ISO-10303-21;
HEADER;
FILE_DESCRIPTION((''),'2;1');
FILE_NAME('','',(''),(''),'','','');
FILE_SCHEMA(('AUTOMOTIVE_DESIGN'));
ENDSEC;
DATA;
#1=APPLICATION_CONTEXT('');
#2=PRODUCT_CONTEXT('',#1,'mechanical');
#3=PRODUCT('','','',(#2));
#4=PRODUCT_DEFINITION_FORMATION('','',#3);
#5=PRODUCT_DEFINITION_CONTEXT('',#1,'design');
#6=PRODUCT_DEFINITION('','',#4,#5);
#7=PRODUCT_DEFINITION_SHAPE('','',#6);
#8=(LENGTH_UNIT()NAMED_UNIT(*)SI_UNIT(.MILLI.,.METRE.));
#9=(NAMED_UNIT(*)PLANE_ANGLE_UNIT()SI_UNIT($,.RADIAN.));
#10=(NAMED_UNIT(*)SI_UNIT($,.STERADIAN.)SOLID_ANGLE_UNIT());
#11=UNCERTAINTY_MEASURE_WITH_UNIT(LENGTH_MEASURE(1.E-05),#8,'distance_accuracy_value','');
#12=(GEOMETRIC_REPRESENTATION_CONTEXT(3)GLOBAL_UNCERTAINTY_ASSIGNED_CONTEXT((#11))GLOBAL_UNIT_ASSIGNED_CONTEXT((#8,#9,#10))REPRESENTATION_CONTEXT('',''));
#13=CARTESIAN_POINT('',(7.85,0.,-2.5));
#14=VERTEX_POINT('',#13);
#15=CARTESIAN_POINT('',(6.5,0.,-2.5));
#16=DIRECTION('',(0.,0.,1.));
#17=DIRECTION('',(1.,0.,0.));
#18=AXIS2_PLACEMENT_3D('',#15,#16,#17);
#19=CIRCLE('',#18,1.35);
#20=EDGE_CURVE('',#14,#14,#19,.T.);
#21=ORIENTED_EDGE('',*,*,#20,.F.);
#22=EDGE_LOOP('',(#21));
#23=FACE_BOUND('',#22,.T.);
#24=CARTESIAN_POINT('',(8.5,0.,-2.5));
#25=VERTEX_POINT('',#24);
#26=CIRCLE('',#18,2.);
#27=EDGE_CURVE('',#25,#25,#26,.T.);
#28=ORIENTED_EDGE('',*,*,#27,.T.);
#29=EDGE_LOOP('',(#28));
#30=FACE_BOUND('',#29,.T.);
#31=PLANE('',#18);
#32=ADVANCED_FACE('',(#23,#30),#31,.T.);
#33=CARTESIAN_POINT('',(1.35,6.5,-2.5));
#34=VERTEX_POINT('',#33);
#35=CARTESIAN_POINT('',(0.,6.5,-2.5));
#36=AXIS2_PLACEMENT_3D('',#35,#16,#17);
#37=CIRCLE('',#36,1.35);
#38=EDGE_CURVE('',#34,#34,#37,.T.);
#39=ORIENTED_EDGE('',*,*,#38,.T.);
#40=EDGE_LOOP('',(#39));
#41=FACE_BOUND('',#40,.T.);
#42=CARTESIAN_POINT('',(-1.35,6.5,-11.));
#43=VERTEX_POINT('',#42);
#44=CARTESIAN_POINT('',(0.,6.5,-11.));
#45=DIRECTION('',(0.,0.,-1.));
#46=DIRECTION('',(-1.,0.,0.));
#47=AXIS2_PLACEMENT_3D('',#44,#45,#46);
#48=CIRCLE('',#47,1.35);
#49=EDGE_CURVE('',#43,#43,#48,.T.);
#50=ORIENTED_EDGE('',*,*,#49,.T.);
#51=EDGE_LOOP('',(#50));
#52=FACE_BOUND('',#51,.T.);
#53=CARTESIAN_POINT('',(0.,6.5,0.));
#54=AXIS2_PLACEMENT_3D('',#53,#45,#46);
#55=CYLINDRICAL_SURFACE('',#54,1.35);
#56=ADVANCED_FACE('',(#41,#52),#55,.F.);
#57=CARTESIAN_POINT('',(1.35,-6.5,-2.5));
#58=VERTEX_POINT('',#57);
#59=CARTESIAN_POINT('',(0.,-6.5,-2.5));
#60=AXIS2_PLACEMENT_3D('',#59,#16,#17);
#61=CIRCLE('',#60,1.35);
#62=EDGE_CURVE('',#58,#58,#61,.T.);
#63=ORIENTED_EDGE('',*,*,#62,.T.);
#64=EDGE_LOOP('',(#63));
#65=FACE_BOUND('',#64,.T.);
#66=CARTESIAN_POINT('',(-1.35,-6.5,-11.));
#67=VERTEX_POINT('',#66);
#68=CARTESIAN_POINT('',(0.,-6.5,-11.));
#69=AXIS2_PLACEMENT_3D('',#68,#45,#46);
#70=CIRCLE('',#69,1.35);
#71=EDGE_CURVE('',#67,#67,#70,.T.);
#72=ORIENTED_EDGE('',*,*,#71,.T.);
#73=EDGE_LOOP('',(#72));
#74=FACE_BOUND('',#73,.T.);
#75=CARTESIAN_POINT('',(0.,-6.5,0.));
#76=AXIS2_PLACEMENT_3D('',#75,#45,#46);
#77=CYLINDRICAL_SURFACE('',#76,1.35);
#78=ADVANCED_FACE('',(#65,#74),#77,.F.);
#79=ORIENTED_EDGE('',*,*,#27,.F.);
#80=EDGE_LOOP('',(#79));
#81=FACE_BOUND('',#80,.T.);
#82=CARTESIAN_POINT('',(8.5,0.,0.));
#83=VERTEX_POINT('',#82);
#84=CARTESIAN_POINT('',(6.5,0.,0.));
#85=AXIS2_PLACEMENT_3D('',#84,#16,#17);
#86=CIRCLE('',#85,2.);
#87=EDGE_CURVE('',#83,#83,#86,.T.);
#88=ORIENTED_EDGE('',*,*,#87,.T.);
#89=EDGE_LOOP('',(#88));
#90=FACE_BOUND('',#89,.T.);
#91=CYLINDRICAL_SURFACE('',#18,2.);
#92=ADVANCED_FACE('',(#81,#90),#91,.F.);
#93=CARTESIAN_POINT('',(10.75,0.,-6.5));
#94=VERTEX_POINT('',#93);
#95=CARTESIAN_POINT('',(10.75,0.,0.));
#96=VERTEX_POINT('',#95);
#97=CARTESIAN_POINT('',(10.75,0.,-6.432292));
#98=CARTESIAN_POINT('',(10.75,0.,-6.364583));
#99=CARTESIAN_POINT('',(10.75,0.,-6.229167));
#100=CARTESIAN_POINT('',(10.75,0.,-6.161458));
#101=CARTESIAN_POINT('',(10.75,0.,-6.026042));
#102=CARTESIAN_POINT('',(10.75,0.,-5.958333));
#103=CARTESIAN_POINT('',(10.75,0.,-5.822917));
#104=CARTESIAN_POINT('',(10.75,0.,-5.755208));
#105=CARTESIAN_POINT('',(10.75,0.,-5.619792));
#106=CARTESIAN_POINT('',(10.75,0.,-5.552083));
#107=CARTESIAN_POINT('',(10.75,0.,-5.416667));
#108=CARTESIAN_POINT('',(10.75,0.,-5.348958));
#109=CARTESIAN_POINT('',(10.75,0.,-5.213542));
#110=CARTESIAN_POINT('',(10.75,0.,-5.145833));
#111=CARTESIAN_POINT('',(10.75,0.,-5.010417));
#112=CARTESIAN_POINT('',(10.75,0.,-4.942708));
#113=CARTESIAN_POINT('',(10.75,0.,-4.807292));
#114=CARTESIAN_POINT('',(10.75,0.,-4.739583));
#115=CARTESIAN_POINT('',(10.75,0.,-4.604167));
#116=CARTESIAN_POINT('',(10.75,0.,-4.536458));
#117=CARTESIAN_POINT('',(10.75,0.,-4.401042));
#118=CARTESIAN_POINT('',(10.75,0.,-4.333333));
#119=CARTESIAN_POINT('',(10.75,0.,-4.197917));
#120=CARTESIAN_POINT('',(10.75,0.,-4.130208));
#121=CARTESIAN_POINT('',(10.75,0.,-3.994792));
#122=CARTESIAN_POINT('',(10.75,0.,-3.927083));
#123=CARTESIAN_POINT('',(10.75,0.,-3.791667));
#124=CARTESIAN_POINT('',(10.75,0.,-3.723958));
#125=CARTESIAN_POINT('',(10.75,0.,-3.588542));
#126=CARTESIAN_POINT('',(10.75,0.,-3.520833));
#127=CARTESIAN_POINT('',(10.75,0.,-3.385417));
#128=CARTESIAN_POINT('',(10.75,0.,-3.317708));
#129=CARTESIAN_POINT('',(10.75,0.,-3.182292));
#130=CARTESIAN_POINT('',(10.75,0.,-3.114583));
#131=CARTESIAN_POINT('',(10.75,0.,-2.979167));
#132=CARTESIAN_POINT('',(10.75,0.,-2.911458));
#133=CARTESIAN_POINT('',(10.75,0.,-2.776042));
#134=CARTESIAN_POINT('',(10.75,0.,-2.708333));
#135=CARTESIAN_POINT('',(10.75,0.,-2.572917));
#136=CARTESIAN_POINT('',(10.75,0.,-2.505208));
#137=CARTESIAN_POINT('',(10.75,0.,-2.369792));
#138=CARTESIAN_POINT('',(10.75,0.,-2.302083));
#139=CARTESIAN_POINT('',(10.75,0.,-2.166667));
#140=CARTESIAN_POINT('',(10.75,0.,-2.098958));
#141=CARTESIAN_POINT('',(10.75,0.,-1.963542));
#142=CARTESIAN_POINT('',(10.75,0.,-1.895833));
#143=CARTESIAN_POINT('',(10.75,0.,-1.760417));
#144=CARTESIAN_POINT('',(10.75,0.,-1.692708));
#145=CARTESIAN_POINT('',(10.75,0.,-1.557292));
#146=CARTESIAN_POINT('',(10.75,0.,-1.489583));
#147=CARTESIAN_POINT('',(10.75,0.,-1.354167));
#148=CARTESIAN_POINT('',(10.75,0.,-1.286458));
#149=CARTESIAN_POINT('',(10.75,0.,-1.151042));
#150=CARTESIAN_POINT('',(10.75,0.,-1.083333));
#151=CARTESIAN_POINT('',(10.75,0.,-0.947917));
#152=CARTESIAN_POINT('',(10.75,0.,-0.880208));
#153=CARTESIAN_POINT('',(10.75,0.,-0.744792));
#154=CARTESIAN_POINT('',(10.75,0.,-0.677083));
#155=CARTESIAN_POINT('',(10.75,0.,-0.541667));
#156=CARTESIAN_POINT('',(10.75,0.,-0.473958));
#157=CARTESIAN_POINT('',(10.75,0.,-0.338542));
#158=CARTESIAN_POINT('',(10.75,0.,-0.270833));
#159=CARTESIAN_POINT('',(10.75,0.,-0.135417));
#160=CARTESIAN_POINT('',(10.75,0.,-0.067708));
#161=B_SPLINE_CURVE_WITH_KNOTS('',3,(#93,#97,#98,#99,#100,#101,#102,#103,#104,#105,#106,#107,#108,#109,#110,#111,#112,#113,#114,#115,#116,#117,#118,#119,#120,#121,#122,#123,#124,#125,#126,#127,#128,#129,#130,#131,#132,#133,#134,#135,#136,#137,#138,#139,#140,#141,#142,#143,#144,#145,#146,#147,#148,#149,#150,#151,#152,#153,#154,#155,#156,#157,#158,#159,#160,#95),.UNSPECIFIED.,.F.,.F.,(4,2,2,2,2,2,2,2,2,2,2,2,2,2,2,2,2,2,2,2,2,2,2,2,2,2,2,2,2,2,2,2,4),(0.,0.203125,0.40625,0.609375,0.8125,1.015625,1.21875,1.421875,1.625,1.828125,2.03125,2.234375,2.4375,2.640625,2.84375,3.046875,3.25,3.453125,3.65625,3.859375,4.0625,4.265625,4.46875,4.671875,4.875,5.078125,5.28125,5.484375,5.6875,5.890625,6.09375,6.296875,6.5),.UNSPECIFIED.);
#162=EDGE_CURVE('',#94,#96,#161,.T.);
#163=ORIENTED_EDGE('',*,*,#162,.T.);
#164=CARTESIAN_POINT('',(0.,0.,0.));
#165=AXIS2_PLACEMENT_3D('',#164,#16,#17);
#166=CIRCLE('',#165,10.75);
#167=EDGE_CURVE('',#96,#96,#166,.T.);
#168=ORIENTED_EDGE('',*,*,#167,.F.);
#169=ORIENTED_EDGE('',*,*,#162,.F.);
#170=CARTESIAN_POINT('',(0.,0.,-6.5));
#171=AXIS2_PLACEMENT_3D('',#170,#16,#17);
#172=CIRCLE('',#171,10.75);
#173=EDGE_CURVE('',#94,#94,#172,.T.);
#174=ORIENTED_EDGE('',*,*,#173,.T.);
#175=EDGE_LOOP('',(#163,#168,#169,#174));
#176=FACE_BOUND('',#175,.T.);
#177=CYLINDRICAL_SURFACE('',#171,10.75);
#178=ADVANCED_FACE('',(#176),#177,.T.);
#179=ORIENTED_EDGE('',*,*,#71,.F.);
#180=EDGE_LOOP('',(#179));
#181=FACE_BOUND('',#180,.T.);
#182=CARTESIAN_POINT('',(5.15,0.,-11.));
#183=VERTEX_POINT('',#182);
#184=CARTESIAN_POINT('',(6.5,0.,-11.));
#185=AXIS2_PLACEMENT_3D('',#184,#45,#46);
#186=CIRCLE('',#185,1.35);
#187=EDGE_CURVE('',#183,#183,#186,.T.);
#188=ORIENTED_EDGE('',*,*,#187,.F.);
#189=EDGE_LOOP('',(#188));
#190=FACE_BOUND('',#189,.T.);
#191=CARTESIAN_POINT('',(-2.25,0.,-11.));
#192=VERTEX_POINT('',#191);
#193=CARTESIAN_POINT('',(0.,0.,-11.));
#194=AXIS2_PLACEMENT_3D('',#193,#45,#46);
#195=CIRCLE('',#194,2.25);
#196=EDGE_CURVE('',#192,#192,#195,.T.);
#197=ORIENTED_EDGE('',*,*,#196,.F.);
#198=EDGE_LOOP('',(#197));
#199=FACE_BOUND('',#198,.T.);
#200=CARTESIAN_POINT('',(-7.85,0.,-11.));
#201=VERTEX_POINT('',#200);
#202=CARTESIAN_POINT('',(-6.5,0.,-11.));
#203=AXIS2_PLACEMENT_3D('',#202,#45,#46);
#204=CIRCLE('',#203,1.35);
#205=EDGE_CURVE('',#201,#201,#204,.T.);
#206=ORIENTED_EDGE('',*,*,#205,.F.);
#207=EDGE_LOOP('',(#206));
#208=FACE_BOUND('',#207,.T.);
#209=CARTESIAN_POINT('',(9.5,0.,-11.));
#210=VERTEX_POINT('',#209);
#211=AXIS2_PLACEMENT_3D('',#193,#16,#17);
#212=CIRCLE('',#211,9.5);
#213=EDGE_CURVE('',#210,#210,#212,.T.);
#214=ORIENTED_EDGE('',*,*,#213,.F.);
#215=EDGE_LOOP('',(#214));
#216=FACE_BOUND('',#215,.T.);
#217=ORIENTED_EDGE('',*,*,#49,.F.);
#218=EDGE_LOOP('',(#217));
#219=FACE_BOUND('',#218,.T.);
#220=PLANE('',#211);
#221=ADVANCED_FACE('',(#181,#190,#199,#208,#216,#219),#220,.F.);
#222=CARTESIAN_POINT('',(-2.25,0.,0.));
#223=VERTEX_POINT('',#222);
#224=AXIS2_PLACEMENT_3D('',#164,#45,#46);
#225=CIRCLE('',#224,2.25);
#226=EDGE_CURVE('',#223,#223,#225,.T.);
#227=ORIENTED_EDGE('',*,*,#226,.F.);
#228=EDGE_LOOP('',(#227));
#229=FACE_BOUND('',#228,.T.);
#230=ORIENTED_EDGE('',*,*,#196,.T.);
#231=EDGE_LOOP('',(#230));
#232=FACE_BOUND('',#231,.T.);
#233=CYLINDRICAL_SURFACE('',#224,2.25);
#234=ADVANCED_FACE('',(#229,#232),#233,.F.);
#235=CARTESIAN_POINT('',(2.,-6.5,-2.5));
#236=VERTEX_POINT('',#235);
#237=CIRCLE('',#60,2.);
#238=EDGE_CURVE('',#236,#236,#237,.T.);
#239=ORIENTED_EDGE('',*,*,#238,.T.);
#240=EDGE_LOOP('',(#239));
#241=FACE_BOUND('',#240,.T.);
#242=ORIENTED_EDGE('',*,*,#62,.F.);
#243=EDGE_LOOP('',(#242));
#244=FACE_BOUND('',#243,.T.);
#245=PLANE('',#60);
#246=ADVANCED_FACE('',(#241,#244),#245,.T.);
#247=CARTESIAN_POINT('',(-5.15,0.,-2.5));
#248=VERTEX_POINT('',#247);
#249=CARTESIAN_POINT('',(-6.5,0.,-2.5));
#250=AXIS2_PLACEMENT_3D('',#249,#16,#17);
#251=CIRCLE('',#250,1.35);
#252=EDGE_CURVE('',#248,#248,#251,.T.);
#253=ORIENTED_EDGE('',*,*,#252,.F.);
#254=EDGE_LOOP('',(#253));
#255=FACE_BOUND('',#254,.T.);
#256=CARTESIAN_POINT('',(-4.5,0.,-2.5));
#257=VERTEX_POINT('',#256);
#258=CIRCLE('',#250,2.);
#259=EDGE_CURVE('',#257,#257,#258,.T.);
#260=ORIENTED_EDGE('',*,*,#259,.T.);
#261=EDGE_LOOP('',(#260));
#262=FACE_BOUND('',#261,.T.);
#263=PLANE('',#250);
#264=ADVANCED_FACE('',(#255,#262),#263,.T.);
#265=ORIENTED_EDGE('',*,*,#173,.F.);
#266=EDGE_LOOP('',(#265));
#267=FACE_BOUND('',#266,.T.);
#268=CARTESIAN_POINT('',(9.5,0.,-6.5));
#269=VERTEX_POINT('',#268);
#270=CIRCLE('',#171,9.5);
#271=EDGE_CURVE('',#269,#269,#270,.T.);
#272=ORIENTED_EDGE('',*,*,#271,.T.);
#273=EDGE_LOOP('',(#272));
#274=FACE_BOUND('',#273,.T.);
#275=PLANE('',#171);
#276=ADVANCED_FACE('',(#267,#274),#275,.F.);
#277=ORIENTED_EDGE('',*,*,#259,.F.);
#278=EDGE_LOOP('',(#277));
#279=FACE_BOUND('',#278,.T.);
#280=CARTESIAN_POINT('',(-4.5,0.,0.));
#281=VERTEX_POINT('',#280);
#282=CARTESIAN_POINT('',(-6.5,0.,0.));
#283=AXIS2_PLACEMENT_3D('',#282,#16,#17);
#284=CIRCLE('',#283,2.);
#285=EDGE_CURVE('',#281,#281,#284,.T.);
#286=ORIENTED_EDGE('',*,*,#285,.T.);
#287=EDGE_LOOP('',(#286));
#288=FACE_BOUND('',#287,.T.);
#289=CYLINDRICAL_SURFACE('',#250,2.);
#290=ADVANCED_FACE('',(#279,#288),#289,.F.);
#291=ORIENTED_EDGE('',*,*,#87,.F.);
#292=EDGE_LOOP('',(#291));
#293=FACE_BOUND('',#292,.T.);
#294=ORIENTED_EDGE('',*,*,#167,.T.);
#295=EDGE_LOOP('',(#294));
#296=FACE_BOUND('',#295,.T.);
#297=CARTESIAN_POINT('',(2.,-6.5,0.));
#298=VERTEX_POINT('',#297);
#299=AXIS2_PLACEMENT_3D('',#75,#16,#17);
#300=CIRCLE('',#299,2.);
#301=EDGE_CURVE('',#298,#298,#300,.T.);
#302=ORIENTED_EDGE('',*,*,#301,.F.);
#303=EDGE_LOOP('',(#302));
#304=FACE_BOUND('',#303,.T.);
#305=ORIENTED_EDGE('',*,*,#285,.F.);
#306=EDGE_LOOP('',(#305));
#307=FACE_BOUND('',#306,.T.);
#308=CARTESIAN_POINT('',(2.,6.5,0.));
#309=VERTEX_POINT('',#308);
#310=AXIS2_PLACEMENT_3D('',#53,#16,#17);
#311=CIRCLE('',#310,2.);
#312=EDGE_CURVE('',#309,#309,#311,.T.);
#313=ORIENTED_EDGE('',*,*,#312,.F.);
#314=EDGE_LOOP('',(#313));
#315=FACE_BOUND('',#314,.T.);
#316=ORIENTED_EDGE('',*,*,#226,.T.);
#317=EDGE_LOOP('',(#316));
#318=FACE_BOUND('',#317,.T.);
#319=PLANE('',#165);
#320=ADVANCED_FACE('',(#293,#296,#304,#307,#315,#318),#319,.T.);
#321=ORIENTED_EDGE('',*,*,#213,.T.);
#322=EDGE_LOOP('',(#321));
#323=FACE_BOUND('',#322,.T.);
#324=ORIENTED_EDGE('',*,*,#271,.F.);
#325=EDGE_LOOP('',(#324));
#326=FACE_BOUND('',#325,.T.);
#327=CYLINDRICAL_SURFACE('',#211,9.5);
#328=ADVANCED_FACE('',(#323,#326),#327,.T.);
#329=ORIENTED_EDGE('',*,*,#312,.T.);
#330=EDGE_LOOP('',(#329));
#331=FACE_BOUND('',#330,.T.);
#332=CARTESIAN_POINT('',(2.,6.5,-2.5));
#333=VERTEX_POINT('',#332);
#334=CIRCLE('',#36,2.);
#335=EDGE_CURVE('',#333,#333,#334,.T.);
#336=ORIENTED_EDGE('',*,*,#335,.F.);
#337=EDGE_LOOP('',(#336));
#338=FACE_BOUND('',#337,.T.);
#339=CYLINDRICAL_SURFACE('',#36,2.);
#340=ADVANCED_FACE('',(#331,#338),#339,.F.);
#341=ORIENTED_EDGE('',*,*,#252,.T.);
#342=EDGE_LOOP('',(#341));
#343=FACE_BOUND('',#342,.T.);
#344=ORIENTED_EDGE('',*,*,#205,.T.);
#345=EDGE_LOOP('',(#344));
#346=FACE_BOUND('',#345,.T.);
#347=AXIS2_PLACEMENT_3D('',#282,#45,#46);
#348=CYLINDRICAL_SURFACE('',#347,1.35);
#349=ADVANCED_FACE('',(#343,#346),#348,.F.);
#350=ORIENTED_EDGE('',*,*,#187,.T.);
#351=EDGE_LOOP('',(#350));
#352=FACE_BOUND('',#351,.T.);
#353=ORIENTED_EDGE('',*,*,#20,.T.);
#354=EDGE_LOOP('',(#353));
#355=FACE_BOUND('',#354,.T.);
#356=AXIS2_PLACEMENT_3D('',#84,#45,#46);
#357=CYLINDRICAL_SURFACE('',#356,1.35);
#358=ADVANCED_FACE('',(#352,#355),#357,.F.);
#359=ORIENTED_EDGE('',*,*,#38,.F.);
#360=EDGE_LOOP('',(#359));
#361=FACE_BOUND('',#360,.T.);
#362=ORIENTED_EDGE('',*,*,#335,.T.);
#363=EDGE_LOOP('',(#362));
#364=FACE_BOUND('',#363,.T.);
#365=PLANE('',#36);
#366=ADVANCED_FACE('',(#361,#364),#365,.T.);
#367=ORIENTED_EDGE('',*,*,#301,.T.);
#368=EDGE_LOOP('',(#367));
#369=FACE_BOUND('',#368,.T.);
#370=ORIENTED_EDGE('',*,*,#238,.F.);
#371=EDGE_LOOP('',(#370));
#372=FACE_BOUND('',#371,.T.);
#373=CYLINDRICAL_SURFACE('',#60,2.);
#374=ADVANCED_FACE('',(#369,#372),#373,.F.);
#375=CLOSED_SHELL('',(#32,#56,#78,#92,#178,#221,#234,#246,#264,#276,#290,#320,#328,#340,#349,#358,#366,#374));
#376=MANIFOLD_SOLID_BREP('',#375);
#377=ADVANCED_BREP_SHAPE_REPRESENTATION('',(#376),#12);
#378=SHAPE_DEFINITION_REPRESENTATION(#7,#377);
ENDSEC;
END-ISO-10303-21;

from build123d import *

# Parameters (mm, degrees)
SKETCH1_R           = 9.5
BOSS_EXTRUDE1_DEPTH = 11
SKETCH1_3_R         = 10.75
SKETCH1_3_R_2       = 9.5
BOSS_EXTRUDE2_DEPTH = 6.5
SKETCH3_R           = 1.35
CUT_EXTRUDE2_DEPTH  = 19.764994005
SKETCH4_R           = 2.25
CUT_EXTRUDE4_DEPTH  = 19.764994005
CUT_EXTRUDE5_START  = -8.5
SKETCH3_4_R         = 2
SKETCH3_4_R_2       = 1.35
CUT_EXTRUDE5_DEPTH  = 2.5


with BuildPart() as part:
    # Sketch1 → Boss-Extrude1 (new body)
    with BuildSketch(Plane.XY):
        Circle(SKETCH1_R)
    extrude(amount=-BOSS_EXTRUDE1_DEPTH)

    # Sketch1<3> → Boss-Extrude2 (add)
    with BuildSketch(Plane.XY):
        Circle(SKETCH1_3_R)
        Circle(SKETCH1_3_R_2, mode=Mode.SUBTRACT)
    extrude(amount=-BOSS_EXTRUDE2_DEPTH)

    # Sketch3 → Cut-Extrude2 (cut, through all)
    with BuildSketch(Plane(origin=(0, 0, -11), x_dir=(-1, 0, 0), z_dir=(0, 0, -1))):
        with Locations((0, 6.5)):
            Circle(SKETCH3_R)
        with Locations((-6.5, 0)):
            Circle(SKETCH3_R)
        with Locations((6.5, 0)):
            Circle(SKETCH3_R)
        with Locations((0, -6.5)):
            Circle(SKETCH3_R)
    extrude(amount=-CUT_EXTRUDE2_DEPTH, mode=Mode.SUBTRACT)

    # Sketch4 → Cut-Extrude4 (cut, through all)
    with BuildSketch(Plane(origin=(0, 0, -11), x_dir=(-1, 0, 0), z_dir=(0, 0, -1))):
        Circle(SKETCH4_R)
    extrude(amount=-CUT_EXTRUDE4_DEPTH, mode=Mode.SUBTRACT)

    # Sketch3<4> → Cut-Extrude5 (cut)
    # profile 1 of 4: a face of its own
    with BuildSketch(Plane(origin=(0, 0, -11), x_dir=(-1, 0, 0), z_dir=(0, 0, -1)).offset(CUT_EXTRUDE5_START)):
        with Locations(Location((-6.5, 0, 0), (0, 0, 180))):
            Circle(SKETCH3_4_R)
        with Locations((-6.5, 0)):
            Circle(SKETCH3_4_R_2, mode=Mode.SUBTRACT)
    # profile 2 of 4: a face of its own
    with BuildSketch(Plane(origin=(0, 0, -11), x_dir=(-1, 0, 0), z_dir=(0, 0, -1)).offset(CUT_EXTRUDE5_START)):
        with Locations(Location((0, 6.5, 0), (0, 0, 180))):
            Circle(SKETCH3_4_R)
        with Locations((0, 6.5)):
            Circle(SKETCH3_4_R_2, mode=Mode.SUBTRACT)
    # profile 3 of 4: a face of its own
    with BuildSketch(Plane(origin=(0, 0, -11), x_dir=(-1, 0, 0), z_dir=(0, 0, -1)).offset(CUT_EXTRUDE5_START)):
        with Locations(Location((6.5, 0, 0), (0, 0, 180))):
            Circle(SKETCH3_4_R)
        with Locations((6.5, 0)):
            Circle(SKETCH3_4_R_2, mode=Mode.SUBTRACT)
    # profile 4 of 4: a face of its own
    with BuildSketch(Plane(origin=(0, 0, -11), x_dir=(-1, 0, 0), z_dir=(0, 0, -1)).offset(CUT_EXTRUDE5_START)):
        with Locations(Location((0, -6.5, 0), (0, 0, 180))):
            Circle(SKETCH3_4_R)
        with Locations((0, -6.5)):
            Circle(SKETCH3_4_R_2, mode=Mode.SUBTRACT)
    extrude(amount=-CUT_EXTRUDE5_DEPTH, mode=Mode.SUBTRACT)


solid = part.part
